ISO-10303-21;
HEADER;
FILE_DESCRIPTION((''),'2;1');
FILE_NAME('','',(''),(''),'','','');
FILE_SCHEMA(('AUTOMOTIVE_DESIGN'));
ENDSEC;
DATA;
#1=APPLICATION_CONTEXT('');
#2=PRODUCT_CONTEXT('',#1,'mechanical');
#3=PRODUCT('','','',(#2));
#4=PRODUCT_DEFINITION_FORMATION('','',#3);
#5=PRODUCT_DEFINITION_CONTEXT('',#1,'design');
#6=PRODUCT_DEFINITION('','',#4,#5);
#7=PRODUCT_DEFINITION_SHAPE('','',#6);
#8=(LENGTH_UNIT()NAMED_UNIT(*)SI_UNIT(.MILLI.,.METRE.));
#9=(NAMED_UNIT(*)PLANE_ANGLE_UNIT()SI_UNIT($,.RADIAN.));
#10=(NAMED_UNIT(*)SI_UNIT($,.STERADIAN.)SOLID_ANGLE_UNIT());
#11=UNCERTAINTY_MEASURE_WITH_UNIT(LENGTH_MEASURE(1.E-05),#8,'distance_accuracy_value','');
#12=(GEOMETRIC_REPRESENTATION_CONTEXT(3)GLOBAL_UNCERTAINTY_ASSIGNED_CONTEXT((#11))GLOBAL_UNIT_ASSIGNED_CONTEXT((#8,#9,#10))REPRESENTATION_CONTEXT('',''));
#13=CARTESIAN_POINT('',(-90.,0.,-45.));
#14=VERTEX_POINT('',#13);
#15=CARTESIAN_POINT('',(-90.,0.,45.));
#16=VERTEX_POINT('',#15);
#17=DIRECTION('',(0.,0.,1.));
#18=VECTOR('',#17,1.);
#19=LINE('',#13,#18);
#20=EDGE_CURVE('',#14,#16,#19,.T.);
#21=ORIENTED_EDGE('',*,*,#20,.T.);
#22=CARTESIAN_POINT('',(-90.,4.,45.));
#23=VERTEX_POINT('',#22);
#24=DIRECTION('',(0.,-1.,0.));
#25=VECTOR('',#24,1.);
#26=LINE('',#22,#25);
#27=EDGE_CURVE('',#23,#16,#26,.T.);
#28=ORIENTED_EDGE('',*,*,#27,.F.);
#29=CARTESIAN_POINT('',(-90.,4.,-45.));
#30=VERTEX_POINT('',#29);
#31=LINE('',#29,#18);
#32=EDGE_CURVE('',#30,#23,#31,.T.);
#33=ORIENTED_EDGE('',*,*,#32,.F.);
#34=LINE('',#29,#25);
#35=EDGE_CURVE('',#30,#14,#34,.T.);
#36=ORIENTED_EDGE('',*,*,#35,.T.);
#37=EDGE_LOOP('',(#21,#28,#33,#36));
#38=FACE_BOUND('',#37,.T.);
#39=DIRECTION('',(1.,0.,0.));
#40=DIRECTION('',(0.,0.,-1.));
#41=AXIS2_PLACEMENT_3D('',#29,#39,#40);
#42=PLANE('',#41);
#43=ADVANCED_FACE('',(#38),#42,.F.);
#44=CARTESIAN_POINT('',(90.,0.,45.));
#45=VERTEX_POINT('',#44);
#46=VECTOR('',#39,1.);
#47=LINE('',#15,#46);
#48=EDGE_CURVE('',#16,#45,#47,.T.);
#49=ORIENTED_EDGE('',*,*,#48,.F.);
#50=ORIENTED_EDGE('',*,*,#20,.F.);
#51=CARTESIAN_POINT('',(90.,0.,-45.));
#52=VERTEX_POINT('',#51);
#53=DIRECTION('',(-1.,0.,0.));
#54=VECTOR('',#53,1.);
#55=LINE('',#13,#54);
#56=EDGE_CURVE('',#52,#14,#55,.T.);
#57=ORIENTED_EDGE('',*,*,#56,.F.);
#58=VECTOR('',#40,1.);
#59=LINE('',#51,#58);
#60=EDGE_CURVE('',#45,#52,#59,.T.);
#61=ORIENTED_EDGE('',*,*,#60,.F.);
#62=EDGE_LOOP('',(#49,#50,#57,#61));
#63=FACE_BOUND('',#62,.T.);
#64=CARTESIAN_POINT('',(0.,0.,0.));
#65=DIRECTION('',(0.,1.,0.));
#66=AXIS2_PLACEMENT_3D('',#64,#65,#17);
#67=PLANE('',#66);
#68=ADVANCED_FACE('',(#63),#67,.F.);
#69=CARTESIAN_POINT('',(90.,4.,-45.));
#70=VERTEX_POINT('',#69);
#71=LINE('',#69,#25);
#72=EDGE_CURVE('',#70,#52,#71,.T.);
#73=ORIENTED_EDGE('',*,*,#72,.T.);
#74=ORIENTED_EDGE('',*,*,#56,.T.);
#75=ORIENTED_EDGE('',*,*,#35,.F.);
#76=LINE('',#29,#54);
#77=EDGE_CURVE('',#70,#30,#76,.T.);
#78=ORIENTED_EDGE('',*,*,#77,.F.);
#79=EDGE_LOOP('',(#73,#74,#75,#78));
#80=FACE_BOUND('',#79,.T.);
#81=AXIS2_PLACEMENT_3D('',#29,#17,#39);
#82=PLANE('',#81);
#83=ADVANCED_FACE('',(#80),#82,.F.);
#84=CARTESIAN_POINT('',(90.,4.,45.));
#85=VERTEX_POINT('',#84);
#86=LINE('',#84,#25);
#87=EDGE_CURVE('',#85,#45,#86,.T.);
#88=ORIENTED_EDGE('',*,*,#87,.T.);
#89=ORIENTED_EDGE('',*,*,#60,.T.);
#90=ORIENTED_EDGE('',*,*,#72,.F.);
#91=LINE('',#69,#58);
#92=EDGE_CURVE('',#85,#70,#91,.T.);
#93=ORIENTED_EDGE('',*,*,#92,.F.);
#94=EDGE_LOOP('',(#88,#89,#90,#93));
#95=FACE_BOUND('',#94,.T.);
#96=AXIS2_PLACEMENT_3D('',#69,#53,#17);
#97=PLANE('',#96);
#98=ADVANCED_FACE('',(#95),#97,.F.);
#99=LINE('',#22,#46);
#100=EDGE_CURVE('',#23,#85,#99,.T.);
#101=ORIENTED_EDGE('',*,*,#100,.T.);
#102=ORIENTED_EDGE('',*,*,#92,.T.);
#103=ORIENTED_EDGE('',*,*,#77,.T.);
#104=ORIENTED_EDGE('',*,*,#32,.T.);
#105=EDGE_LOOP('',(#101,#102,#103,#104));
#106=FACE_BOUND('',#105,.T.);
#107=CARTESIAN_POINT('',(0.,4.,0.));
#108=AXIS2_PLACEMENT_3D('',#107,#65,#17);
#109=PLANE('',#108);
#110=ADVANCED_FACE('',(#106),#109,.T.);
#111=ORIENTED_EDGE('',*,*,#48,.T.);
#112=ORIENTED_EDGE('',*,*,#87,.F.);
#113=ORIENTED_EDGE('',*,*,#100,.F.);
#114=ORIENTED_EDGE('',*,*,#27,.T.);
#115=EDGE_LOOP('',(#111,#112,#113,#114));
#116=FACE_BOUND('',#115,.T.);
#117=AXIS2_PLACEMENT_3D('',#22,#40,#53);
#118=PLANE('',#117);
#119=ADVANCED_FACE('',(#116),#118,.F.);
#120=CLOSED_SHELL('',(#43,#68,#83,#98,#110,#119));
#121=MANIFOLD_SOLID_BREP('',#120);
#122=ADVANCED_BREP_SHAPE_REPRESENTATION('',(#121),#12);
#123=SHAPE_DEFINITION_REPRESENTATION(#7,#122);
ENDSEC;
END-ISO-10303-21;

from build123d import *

# Parameters (mm, degrees)
SKETCH1_W           = 180
SKETCH1_H           = 90
BOSS_EXTRUDE1_DEPTH = 4


with BuildPart() as part:
    # Sketch1 → Boss-Extrude1 (new body)
    with BuildSketch(Plane(origin=(0, 0, 0), x_dir=(1, 0, 0), z_dir=(0, 1, 0))):
        Rectangle(SKETCH1_W, SKETCH1_H)
    extrude(amount=BOSS_EXTRUDE1_DEPTH)


solid = part.part
